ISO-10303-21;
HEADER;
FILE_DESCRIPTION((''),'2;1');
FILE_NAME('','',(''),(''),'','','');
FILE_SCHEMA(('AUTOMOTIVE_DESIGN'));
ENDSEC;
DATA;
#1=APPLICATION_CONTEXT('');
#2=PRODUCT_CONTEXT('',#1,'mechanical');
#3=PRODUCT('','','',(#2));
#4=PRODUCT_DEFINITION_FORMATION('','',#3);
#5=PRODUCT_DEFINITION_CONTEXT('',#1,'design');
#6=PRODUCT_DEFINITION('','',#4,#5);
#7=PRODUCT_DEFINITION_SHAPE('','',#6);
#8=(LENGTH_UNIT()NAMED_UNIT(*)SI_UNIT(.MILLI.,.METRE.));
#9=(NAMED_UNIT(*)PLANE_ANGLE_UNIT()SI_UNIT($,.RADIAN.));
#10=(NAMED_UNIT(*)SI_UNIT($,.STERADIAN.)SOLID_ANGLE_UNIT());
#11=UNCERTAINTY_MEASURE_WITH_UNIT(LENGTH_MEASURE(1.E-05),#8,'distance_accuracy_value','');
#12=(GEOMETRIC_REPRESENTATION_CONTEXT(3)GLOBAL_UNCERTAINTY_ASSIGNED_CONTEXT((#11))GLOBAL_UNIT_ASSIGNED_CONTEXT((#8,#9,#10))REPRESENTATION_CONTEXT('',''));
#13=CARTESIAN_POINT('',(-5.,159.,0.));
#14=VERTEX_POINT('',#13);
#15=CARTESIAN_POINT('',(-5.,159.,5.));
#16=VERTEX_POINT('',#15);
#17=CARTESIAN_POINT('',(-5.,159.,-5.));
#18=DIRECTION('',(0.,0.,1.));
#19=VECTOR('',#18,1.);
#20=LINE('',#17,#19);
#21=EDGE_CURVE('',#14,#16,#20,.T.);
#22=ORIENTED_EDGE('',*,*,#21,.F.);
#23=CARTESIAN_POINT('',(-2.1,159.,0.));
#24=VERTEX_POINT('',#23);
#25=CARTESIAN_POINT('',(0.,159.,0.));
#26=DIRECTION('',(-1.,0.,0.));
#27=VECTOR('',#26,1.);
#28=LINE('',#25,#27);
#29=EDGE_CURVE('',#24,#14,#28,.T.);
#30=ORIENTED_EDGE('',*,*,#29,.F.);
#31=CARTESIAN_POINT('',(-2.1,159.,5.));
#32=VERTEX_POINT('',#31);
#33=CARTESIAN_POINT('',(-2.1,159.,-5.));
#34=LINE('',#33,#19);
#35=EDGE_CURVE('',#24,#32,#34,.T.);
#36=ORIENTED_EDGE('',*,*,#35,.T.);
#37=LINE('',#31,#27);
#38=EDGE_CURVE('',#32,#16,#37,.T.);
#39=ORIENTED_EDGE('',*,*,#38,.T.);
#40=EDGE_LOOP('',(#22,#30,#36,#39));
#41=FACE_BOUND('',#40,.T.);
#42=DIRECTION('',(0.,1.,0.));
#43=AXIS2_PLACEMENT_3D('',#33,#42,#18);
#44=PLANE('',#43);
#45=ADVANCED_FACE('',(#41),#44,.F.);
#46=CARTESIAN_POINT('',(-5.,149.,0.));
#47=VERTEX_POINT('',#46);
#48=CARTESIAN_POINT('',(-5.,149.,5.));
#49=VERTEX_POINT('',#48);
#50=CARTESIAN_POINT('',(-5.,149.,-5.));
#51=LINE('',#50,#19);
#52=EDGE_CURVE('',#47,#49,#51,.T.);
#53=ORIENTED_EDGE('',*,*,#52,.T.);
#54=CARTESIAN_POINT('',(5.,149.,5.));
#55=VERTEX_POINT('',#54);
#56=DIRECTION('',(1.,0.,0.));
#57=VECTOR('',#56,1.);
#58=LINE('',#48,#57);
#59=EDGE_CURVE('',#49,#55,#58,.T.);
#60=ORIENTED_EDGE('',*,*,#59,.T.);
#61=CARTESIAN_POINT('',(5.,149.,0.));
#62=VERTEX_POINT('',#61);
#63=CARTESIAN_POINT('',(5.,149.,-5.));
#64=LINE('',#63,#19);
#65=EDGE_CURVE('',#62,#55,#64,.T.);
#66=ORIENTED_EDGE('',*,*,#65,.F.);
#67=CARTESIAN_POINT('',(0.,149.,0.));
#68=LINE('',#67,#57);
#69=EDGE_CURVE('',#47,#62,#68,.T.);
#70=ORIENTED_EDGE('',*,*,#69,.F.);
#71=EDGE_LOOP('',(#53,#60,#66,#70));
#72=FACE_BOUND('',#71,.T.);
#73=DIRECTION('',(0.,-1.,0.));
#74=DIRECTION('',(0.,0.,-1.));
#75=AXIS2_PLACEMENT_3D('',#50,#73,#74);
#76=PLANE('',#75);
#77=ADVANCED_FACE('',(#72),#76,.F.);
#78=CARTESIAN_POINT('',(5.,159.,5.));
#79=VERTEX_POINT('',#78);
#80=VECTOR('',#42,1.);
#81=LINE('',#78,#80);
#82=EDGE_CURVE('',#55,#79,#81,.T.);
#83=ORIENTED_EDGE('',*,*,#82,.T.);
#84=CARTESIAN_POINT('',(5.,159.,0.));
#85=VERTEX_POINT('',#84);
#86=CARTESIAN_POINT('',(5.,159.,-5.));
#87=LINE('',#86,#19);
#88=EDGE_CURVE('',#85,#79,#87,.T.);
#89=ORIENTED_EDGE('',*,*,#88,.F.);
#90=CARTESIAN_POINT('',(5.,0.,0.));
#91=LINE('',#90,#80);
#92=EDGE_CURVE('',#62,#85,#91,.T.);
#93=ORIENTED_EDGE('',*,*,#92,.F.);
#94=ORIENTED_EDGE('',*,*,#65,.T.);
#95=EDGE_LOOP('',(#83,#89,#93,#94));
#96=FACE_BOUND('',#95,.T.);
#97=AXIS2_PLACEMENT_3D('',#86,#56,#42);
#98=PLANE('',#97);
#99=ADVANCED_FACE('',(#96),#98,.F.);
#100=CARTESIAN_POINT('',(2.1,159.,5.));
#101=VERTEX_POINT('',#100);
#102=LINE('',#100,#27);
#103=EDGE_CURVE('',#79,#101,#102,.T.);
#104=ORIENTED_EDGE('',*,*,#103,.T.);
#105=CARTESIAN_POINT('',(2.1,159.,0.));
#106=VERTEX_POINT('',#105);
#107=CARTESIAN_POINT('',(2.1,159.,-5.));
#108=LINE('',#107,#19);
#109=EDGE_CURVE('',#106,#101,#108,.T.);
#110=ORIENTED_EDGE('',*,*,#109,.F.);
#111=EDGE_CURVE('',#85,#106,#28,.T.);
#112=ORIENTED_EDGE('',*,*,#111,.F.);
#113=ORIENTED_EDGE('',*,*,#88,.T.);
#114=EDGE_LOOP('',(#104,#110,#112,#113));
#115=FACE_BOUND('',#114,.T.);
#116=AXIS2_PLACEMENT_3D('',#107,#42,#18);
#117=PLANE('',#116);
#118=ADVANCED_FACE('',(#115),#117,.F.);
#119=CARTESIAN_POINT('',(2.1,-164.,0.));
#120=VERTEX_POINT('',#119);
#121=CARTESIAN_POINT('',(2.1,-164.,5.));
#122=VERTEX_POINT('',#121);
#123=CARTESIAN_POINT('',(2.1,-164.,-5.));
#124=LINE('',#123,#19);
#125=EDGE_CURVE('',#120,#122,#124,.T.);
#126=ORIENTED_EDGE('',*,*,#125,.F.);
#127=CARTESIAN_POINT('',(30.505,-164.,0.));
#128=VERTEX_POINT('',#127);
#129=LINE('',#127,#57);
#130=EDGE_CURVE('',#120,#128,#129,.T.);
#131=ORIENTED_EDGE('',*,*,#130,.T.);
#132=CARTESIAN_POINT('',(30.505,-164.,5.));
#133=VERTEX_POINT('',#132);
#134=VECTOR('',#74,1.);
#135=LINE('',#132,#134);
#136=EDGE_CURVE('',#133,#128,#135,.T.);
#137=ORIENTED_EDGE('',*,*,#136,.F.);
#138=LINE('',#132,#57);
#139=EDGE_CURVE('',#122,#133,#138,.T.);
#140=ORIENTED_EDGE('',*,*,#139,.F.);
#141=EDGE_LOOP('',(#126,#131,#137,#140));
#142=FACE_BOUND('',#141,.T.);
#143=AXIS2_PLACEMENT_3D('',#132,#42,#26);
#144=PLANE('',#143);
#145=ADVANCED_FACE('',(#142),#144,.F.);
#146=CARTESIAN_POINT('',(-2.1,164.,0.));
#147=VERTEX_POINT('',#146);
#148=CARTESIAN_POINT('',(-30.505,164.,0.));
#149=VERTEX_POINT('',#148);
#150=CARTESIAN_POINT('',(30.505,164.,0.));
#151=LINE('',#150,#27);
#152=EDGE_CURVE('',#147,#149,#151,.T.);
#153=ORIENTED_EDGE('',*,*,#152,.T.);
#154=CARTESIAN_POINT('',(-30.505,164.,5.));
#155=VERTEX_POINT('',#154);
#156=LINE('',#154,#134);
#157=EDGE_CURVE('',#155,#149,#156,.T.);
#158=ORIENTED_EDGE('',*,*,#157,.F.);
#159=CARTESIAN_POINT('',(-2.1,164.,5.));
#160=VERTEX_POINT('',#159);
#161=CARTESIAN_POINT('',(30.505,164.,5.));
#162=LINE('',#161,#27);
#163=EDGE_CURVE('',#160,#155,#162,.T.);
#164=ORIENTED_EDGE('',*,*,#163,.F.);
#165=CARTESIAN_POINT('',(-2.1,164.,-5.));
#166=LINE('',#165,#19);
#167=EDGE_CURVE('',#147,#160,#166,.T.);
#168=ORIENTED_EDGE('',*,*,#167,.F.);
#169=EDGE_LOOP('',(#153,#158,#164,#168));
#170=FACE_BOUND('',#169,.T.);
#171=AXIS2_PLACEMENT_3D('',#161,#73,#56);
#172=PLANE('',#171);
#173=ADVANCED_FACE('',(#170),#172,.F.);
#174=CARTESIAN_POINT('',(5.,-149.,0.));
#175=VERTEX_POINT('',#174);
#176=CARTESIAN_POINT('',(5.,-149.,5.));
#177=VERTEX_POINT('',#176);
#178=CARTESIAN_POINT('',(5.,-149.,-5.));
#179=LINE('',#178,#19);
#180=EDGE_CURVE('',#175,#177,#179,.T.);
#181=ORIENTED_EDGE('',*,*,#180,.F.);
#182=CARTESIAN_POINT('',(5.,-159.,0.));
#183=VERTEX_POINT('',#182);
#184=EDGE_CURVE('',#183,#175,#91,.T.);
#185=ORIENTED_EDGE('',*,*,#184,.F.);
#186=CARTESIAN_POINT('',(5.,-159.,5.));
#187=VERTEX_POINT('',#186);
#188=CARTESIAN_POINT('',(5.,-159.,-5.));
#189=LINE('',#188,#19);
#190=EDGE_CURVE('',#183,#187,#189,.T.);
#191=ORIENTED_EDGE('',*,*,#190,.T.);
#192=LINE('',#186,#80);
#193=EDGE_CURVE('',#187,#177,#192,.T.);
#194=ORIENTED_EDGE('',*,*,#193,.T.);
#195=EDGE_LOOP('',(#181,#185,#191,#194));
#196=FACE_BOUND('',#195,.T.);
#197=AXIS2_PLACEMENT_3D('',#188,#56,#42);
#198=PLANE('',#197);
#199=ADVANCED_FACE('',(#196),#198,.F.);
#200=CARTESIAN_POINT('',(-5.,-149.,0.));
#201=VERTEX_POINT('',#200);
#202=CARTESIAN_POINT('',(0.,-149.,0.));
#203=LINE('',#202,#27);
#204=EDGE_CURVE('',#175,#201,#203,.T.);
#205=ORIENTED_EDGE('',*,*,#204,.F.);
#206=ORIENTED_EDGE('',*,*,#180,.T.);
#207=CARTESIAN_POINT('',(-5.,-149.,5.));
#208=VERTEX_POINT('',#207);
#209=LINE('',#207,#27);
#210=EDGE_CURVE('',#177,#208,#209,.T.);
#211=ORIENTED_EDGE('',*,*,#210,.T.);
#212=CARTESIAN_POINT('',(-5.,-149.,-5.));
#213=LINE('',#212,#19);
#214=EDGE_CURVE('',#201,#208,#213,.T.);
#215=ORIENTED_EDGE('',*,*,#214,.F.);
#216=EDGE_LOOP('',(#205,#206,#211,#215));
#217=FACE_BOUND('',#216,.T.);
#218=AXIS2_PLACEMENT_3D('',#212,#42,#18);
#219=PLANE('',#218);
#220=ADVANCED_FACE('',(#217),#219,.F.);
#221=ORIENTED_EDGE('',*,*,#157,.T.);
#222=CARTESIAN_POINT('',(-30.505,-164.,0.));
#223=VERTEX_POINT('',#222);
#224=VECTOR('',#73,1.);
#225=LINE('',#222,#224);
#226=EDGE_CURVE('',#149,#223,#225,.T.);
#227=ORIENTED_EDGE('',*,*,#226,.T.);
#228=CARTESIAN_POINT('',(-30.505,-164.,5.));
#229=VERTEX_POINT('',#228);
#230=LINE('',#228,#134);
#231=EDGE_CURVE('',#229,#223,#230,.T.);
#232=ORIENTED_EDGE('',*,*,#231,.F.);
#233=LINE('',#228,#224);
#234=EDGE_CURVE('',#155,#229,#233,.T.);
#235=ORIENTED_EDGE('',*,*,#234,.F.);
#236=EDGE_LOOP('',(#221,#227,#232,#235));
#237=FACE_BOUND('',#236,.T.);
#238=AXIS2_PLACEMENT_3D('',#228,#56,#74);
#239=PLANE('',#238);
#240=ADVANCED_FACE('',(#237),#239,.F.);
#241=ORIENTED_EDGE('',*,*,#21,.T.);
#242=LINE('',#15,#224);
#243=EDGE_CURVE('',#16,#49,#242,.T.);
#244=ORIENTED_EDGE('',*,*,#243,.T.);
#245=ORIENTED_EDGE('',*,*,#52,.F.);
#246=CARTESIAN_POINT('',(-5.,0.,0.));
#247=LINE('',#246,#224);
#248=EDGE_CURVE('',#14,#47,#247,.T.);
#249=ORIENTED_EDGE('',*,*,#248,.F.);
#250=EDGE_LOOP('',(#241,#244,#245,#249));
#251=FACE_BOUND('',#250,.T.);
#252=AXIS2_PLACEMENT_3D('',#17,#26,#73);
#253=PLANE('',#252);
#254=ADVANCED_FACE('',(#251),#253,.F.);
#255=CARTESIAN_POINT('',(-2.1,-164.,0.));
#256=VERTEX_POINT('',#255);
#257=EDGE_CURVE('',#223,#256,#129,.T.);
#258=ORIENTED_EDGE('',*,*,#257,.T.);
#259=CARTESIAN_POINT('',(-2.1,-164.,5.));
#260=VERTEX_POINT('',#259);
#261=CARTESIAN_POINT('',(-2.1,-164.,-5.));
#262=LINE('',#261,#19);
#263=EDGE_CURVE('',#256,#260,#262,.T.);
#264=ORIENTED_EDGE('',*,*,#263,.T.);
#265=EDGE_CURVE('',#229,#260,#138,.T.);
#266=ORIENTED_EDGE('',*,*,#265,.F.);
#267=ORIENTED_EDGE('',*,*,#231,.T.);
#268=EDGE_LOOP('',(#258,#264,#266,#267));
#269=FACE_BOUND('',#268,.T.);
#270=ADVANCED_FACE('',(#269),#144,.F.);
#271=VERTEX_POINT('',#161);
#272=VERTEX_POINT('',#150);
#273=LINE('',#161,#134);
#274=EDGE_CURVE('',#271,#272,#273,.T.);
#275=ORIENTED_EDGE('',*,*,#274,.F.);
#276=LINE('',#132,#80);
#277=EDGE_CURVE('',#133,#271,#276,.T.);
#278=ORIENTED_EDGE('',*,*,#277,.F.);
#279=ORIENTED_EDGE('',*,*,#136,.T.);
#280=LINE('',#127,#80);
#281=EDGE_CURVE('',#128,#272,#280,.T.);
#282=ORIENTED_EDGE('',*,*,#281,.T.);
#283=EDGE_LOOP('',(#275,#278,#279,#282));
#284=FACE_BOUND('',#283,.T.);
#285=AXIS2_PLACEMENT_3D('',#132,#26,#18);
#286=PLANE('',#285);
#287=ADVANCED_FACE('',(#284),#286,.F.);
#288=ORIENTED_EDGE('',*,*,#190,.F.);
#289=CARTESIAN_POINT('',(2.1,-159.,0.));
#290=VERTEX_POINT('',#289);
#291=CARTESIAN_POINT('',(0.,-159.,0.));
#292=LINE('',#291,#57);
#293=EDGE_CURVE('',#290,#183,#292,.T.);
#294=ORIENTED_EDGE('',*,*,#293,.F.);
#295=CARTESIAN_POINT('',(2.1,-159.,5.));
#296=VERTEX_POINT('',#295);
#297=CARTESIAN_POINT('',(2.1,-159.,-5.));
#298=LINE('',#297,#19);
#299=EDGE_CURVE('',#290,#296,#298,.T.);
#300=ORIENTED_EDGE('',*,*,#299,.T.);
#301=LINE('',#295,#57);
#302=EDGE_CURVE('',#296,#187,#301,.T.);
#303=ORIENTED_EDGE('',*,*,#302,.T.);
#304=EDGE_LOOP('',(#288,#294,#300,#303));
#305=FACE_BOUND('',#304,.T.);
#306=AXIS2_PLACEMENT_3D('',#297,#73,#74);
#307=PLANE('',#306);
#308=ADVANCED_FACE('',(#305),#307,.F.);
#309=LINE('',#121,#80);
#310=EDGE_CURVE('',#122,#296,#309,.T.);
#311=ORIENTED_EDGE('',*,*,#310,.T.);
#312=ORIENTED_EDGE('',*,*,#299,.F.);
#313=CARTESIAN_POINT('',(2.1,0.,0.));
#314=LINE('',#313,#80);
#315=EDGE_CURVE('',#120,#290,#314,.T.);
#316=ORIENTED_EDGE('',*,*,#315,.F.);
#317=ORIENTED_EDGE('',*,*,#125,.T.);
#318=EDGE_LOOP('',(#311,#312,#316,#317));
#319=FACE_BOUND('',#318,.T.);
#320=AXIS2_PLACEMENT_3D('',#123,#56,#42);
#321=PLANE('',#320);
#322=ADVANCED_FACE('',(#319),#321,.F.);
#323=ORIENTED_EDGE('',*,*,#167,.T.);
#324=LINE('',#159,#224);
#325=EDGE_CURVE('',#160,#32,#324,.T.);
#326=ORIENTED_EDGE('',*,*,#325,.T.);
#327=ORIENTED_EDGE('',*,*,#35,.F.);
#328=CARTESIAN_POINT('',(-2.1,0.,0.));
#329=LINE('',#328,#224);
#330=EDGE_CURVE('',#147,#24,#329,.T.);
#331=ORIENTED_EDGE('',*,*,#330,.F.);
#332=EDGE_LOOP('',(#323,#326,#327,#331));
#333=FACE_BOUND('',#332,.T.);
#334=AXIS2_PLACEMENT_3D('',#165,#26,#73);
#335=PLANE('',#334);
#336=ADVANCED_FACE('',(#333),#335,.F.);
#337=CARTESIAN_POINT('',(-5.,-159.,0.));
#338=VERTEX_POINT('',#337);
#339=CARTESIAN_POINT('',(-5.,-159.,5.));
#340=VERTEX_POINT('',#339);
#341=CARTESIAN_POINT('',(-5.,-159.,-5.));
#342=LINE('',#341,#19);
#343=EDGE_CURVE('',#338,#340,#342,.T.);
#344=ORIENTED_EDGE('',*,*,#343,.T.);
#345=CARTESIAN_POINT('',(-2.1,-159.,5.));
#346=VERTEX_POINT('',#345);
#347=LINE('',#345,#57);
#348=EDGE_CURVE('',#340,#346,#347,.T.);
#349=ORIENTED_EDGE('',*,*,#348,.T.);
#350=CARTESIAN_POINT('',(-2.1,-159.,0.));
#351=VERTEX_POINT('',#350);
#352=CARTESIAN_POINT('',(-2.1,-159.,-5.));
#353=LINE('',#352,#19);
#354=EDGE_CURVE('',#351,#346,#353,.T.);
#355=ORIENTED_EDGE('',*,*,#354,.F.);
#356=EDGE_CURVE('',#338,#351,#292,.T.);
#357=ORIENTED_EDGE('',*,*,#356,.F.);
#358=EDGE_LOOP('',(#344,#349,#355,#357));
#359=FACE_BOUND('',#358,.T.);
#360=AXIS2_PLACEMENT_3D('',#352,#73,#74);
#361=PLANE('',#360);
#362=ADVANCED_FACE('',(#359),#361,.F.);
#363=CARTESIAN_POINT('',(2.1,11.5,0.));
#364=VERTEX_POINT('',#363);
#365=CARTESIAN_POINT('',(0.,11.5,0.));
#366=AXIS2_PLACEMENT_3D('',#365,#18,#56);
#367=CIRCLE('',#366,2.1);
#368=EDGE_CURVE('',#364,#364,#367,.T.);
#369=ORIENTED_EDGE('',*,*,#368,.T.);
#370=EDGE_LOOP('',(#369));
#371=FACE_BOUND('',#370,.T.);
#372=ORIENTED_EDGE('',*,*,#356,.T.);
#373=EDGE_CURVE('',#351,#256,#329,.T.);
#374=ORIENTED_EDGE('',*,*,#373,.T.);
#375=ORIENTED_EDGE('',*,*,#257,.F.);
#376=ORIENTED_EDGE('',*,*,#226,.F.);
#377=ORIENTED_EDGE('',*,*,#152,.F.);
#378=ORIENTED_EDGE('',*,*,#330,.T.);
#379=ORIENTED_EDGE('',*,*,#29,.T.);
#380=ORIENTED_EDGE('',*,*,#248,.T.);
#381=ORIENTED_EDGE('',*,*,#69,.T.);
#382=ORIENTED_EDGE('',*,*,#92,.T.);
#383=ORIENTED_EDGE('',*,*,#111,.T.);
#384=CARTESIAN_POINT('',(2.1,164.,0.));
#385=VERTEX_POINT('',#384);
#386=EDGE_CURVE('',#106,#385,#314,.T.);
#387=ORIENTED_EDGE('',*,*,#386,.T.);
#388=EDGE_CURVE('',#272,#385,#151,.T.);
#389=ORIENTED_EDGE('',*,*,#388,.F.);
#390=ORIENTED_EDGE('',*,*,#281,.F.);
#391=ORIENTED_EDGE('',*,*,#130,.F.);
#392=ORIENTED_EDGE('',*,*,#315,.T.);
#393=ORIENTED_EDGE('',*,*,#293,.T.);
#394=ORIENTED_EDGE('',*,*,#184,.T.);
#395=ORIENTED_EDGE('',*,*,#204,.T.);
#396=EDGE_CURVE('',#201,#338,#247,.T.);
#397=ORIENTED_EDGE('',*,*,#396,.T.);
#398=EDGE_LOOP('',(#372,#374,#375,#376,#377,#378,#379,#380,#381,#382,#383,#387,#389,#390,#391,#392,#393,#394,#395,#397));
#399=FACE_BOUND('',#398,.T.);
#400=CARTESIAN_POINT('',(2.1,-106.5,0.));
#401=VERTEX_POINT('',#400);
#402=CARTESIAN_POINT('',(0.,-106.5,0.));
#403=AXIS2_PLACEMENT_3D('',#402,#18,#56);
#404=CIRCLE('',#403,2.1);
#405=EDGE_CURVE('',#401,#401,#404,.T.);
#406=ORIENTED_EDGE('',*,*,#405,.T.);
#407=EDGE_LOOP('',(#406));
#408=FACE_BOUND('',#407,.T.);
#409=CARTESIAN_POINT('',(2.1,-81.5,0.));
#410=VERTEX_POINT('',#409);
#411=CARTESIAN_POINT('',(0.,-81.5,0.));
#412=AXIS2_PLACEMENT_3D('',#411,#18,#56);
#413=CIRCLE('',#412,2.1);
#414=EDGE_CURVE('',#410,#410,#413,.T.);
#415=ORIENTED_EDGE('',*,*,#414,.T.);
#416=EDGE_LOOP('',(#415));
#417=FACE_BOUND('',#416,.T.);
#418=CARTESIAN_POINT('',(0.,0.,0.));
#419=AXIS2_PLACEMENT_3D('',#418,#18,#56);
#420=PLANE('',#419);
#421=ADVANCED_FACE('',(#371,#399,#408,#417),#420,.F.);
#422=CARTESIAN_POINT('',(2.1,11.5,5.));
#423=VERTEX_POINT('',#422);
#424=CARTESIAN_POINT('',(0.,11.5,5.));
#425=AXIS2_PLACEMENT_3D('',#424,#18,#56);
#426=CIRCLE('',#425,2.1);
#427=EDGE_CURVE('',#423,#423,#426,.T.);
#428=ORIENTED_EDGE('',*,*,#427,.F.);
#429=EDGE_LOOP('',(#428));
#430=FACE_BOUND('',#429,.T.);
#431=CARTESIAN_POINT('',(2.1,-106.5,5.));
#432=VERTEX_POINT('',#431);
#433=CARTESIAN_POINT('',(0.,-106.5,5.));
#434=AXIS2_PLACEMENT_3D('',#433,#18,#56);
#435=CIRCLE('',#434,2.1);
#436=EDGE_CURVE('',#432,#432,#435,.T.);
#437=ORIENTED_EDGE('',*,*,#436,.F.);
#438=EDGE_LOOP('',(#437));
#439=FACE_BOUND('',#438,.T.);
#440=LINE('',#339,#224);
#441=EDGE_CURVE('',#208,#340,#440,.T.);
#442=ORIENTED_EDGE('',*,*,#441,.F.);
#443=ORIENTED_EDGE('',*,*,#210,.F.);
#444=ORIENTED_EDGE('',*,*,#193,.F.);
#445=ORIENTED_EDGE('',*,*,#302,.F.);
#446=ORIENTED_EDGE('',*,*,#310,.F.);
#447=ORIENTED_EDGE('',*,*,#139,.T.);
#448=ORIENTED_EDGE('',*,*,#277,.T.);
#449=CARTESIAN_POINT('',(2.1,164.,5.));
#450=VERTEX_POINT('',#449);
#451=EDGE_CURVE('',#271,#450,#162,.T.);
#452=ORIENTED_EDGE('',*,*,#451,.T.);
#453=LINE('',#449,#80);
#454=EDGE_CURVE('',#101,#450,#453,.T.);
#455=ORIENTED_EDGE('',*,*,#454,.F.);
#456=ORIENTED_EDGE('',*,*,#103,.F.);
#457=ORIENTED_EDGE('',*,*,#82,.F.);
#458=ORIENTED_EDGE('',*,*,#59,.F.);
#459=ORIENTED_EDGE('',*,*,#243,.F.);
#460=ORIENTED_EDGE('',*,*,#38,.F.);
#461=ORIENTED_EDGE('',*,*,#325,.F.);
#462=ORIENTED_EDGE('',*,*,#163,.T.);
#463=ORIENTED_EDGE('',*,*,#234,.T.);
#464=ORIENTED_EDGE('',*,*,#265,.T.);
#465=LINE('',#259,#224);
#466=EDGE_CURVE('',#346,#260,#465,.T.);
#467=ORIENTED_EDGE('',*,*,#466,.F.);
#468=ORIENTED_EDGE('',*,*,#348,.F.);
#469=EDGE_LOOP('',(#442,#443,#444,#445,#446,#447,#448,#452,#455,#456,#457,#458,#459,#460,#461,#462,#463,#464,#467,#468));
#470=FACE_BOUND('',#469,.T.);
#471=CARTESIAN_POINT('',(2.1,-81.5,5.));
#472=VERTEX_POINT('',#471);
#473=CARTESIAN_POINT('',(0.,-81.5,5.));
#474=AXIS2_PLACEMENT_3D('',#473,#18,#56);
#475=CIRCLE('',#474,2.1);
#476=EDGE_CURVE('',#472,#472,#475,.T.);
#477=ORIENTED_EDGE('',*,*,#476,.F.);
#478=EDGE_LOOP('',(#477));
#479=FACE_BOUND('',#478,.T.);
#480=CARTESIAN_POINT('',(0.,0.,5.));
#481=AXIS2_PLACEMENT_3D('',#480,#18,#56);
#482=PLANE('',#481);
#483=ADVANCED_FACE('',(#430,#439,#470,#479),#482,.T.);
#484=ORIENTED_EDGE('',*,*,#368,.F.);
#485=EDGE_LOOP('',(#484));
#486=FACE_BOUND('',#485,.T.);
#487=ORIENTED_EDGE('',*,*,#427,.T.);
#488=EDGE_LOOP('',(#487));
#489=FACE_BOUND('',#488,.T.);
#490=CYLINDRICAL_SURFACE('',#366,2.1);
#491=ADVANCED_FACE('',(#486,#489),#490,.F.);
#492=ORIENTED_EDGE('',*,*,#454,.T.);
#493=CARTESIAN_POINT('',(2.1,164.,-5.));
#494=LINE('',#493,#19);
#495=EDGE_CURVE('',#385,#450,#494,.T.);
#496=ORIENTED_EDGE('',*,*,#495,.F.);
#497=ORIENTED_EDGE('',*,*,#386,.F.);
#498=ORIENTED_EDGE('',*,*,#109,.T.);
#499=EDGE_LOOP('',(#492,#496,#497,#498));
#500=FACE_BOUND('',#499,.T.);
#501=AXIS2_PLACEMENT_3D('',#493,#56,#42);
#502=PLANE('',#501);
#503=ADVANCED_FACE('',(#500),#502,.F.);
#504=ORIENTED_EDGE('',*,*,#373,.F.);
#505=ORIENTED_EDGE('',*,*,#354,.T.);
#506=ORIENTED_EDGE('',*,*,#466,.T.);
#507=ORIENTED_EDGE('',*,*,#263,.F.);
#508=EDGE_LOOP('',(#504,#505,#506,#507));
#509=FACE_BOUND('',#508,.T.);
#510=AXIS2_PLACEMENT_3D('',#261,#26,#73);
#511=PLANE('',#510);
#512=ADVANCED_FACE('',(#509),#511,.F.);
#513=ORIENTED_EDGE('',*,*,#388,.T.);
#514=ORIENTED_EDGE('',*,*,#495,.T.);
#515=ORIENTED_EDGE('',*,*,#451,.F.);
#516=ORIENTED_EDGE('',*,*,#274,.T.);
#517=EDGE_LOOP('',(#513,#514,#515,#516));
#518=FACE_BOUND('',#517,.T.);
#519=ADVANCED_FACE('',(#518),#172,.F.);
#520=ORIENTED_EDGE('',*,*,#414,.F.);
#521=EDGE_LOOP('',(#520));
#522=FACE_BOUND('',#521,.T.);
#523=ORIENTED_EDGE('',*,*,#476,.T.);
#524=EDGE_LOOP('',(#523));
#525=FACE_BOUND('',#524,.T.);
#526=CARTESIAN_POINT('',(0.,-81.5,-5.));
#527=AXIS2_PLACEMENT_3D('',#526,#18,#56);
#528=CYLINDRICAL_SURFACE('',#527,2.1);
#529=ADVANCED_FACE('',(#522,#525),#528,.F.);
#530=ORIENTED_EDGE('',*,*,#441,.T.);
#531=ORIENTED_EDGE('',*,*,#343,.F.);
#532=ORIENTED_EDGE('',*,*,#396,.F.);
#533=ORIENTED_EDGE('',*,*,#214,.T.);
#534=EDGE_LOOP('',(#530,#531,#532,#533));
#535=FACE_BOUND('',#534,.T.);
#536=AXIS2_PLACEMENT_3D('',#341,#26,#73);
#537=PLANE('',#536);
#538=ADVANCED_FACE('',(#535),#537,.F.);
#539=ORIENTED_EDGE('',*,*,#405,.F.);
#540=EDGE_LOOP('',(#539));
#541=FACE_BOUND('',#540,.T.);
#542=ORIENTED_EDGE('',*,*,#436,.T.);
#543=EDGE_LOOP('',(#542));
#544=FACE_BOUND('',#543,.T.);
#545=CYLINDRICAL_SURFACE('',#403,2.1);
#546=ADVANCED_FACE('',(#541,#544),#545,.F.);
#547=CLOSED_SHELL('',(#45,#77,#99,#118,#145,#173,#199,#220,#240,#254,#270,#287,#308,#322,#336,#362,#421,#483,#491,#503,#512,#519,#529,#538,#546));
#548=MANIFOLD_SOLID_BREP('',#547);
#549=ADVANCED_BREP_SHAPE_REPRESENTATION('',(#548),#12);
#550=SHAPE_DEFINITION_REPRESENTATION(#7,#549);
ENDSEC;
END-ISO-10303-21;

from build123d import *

# Parameters (mm, degrees)
SKETCH1_W           = 61.01
SKETCH1_H           = 328
BOSS_EXTRUDE1_DEPTH = 5
SKETCH2_R           = 2.1
CUT_EXTRUDE1_DEPTH  = 10
CUT_EXTRUDE2_DEPTH  = 10
SKETCH4_R           = 2.1
CUT_EXTRUDE3_DEPTH  = 5
SKETCH5_R           = 2.1
CUT_EXTRUDE4_DEPTH  = 5


with BuildPart() as part:
    # Sketch1 → Boss-Extrude1 (new body)
    with BuildSketch(Plane.XY):
        Rectangle(SKETCH1_W, SKETCH1_H)
    extrude(amount=BOSS_EXTRUDE1_DEPTH)

    # Sketch2 → Cut-Extrude1 (cut)
    with BuildSketch(Plane.XY.offset(5)):
        with Locations((0, -81.5)):
            Circle(SKETCH2_R)
    extrude(amount=-CUT_EXTRUDE1_DEPTH, mode=Mode.SUBTRACT)

    # Sketch3 → Cut-Extrude2 (cut)
    with BuildSketch(Plane.XY.offset(5)):
        Polygon((-2.1, -164), (-2.1, -159), (-5, -159), (-5, -149), (5, -149), (5, -159), (2.1, -159), (2.1, -164), align=None)
        Polygon((2.1, 164), (2.1, 159), (5, 159), (5, 149), (-5, 149), (-5, 159), (-2.1, 159), (-2.1, 164), align=None)
    extrude(amount=-CUT_EXTRUDE2_DEPTH, mode=Mode.SUBTRACT)

    # Sketch4 → Cut-Extrude3 (cut)
    with BuildSketch(Plane.XY.offset(5)):
        with Locations((0, -106.5)):
            Circle(SKETCH4_R)
    extrude(amount=-CUT_EXTRUDE3_DEPTH, mode=Mode.SUBTRACT)

    # Sketch5 → Cut-Extrude4 (cut)
    with BuildSketch(Plane.XY.offset(5)):
        with Locations((0, 11.5)):
            Circle(SKETCH5_R)
    extrude(amount=-CUT_EXTRUDE4_DEPTH, mode=Mode.SUBTRACT)


solid = part.part
